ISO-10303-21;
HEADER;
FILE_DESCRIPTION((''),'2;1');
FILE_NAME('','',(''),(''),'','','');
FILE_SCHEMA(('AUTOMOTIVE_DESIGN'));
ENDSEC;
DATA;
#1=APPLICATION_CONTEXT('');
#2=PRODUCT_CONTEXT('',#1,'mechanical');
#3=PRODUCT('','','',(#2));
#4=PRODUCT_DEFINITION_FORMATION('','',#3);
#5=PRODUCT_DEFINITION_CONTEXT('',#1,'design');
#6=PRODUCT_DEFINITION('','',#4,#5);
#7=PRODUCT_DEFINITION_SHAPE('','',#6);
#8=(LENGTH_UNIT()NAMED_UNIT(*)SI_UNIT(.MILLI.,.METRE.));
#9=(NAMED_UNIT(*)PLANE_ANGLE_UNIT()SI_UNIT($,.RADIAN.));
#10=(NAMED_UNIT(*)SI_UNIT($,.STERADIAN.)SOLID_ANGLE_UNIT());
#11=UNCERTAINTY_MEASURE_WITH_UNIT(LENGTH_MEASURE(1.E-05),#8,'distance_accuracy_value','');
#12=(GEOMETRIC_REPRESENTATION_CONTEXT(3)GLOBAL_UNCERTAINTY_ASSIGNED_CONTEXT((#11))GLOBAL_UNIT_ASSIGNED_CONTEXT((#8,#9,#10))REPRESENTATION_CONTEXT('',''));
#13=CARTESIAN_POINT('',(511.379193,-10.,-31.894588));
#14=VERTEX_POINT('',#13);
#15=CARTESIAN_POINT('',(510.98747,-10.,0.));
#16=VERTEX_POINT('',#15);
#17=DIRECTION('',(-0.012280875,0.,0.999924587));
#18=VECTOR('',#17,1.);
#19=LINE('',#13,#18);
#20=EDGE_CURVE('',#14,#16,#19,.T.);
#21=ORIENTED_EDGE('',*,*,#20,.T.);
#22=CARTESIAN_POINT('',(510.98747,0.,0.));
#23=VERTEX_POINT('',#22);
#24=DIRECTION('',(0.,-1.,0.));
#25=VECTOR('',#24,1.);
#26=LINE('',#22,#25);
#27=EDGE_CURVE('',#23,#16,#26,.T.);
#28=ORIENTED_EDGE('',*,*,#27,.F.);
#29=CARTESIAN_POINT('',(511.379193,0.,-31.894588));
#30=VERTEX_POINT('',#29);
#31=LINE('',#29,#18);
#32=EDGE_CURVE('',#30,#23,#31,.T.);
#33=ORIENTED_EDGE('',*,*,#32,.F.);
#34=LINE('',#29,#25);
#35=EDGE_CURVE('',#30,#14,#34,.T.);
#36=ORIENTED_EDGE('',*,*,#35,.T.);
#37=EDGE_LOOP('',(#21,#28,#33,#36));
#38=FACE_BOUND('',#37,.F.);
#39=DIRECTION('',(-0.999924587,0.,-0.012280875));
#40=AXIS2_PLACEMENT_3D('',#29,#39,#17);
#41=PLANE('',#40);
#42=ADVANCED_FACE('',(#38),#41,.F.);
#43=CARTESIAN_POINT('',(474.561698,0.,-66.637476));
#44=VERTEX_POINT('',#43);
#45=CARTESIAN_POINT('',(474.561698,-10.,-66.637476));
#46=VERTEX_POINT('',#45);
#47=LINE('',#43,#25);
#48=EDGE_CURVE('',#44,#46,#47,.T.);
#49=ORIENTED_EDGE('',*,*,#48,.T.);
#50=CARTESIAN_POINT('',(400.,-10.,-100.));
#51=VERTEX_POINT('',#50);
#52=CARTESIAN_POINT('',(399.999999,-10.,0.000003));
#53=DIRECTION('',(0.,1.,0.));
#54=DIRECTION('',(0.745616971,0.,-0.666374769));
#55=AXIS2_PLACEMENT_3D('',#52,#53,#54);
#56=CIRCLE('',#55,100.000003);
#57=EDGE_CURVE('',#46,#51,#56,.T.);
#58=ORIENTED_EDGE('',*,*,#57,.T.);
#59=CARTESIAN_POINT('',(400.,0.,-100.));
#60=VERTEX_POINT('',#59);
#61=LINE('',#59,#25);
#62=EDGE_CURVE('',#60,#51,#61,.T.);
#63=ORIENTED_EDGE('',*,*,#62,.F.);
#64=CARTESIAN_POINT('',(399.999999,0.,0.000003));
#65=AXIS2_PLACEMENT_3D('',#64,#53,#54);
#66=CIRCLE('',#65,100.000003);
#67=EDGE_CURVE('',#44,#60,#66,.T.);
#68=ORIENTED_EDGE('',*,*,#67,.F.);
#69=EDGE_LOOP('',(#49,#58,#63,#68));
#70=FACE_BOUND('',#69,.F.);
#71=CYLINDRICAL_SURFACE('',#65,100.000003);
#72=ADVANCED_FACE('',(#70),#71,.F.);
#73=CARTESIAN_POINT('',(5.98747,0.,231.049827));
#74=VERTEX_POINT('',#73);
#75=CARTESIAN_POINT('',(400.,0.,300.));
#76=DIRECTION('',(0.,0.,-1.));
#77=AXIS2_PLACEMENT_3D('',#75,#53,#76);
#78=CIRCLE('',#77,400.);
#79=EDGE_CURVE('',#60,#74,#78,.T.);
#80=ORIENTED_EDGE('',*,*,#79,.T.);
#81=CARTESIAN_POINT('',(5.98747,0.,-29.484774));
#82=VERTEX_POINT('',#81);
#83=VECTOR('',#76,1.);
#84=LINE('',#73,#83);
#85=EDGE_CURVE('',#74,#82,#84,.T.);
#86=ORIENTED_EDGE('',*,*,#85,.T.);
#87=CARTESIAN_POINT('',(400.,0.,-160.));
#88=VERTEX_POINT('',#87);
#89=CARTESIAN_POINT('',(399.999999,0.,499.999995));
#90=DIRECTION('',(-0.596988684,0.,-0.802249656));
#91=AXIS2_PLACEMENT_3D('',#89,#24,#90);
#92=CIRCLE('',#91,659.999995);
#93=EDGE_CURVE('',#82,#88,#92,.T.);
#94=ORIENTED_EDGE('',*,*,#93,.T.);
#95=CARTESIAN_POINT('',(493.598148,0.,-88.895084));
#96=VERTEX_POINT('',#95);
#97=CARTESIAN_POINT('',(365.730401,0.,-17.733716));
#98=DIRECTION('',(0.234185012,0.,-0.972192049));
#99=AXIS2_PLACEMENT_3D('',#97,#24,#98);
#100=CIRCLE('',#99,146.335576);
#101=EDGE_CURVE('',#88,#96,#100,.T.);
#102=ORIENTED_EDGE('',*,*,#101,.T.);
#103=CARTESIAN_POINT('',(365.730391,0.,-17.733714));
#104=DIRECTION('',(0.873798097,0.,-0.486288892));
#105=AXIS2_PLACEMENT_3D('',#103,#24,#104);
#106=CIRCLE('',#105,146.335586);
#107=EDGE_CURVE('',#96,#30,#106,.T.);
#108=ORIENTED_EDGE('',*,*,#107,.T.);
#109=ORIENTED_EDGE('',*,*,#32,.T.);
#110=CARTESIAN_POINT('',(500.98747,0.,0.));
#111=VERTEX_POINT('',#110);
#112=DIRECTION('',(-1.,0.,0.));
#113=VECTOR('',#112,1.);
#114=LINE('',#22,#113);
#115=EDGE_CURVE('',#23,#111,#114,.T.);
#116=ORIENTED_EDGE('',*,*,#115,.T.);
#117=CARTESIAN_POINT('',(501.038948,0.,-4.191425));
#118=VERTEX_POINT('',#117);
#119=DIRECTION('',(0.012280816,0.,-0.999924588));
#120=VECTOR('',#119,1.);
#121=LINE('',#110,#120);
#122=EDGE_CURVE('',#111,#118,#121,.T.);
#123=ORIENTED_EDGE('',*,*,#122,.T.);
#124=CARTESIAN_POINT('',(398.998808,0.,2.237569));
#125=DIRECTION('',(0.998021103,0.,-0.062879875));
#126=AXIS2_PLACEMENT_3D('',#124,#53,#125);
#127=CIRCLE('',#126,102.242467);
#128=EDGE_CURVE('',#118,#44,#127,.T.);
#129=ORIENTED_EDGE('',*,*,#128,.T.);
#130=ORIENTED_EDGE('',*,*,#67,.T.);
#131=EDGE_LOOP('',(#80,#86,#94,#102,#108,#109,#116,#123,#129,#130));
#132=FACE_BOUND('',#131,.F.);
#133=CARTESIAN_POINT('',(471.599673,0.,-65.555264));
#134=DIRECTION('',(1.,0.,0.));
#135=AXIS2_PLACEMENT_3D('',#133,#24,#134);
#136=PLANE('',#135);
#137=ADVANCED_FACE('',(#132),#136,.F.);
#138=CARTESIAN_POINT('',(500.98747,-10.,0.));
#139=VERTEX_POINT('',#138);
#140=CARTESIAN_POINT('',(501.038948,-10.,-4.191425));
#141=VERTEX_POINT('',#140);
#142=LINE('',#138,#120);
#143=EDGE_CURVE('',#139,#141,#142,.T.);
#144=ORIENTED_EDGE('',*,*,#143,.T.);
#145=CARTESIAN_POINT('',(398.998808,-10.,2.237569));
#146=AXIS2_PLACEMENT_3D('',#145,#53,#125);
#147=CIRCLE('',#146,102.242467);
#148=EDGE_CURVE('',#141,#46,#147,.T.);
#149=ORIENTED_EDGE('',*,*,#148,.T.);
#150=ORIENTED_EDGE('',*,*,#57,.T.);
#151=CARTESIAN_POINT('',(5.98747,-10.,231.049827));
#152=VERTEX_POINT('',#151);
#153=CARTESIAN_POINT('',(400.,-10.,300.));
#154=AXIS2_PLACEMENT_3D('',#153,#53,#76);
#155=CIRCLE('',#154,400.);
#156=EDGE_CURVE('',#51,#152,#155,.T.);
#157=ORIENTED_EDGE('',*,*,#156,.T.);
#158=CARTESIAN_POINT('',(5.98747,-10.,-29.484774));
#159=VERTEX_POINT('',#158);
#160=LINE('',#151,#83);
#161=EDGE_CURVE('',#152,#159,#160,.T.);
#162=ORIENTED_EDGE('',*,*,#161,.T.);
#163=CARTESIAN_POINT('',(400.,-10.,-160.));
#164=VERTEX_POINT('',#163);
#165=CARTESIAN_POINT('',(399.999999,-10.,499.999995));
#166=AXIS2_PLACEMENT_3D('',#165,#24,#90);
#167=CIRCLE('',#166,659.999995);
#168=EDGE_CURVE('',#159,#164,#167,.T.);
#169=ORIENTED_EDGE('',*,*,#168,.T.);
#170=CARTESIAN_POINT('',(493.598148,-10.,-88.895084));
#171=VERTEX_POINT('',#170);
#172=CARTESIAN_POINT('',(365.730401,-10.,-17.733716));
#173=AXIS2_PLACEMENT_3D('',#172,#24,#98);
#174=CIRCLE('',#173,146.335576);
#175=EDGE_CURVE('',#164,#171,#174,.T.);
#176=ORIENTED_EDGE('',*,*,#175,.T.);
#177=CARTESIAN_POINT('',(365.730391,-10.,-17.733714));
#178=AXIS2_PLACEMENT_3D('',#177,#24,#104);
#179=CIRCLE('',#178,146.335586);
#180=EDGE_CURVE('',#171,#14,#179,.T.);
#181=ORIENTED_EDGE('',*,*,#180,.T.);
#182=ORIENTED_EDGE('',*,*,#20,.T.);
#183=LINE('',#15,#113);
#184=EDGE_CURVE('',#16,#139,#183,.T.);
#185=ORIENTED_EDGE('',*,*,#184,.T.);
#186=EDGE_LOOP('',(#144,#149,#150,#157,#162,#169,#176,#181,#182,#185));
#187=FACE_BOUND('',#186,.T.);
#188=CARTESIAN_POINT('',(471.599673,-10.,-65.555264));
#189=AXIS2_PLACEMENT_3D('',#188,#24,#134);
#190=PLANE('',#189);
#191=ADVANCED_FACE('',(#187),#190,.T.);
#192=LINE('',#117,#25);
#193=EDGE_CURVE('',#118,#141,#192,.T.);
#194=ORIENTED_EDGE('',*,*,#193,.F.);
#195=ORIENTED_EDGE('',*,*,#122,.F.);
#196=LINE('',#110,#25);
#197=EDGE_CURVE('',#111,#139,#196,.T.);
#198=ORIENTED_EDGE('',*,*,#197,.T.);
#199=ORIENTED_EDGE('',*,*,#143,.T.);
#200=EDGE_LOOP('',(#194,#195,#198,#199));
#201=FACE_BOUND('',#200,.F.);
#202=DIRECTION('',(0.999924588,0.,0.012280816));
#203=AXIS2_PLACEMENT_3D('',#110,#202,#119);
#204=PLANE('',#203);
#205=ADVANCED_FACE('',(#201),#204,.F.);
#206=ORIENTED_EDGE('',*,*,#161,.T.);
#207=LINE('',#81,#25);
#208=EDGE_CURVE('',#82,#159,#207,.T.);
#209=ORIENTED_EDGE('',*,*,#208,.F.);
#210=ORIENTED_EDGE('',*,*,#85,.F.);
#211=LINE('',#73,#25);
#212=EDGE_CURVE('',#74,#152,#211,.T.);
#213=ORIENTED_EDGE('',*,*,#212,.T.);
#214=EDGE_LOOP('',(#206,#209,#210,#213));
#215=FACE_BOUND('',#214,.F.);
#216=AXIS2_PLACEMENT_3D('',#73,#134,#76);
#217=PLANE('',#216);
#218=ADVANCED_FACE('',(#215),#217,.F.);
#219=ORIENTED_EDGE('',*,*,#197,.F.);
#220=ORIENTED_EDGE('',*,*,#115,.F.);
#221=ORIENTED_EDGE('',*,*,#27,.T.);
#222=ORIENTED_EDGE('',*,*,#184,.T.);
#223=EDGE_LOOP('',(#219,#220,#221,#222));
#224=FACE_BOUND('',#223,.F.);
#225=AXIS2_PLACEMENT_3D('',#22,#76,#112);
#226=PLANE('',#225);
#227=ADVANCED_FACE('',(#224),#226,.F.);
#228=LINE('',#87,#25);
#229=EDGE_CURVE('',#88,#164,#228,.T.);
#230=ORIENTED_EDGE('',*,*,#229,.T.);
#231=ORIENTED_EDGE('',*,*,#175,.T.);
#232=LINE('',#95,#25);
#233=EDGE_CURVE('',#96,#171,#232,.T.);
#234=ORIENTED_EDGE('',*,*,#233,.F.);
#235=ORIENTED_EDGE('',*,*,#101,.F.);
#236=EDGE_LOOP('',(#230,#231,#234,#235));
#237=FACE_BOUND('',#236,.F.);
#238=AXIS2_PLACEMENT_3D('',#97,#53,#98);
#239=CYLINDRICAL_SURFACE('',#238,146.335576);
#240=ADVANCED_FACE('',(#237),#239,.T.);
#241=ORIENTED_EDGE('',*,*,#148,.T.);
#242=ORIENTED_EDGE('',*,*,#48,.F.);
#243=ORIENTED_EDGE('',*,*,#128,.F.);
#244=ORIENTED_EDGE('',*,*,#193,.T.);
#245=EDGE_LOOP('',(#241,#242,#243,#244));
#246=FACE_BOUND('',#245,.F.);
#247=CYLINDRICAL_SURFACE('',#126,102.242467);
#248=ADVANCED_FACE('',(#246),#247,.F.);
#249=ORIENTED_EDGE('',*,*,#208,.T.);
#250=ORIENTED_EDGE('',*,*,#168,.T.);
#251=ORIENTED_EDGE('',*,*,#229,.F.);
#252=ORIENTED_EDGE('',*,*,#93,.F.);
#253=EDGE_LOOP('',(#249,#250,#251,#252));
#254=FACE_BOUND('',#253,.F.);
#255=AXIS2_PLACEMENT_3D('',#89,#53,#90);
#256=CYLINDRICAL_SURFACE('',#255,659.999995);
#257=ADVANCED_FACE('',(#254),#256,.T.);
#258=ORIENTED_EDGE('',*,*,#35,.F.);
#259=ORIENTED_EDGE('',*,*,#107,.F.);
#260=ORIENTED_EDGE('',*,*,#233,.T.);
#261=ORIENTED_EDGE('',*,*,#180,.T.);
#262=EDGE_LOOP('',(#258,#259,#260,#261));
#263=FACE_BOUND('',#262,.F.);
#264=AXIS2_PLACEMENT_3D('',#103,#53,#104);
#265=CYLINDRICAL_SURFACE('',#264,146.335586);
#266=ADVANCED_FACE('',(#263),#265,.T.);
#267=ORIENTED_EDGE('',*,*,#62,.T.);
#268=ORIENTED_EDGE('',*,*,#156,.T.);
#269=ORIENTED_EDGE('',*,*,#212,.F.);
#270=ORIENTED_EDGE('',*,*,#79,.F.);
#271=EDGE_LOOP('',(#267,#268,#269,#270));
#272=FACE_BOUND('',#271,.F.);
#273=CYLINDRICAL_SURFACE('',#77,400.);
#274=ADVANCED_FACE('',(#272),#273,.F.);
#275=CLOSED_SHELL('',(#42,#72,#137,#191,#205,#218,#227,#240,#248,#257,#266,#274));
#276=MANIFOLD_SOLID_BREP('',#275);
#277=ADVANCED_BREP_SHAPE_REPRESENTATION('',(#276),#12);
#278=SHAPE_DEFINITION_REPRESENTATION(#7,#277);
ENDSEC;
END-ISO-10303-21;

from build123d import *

# Parameters (mm, degrees)
F3_DEPTH = 10


with BuildPart() as f3:
    # F2 (on Front) → F3 (new body)
    with BuildSketch(Plane.XZ):
        with BuildLine():
            ThreePointArc((400, -100), (447.127307, -97.214069), (493.598148, -88.895084))
            ThreePointArc((493.598148, -88.895084), (505.426816, -61.311377), (511.379193, -31.894588))
            Line((511.379193, -31.894588), (510.98747, 0))
            Line((510.98747, 0), (500.98747, 0))
            Line((500.98747, 0), (501.038948, -4.191425))
            ThreePointArc((501.038948, -4.191425), (493.129496, -37.67403), (474.561698, -66.637476))
            ThreePointArc((474.561698, -66.637476), (440.842701, -91.279098), (400, -100))
        make_face()
        with BuildLine():
            Line((5.98747, 22.610795), (5.98747, -29.484774))
            ThreePointArc((5.98747, -29.484774), (192.466811, -126.522127), (400, -160))
            ThreePointArc((400, -160), (454.252189, -134.258366), (493.598148, -88.895084))
            ThreePointArc((493.598148, -88.895084), (447.127307, -97.214069), (400, -100))
            ThreePointArc((400, -100), (142.687028, -6.251587), (5.98747, 231.049827))
            Line((5.98747, 231.049827), (5.98747, 22.610795))
        make_face()
    extrude(amount=F3_DEPTH)


solid = f3.part
